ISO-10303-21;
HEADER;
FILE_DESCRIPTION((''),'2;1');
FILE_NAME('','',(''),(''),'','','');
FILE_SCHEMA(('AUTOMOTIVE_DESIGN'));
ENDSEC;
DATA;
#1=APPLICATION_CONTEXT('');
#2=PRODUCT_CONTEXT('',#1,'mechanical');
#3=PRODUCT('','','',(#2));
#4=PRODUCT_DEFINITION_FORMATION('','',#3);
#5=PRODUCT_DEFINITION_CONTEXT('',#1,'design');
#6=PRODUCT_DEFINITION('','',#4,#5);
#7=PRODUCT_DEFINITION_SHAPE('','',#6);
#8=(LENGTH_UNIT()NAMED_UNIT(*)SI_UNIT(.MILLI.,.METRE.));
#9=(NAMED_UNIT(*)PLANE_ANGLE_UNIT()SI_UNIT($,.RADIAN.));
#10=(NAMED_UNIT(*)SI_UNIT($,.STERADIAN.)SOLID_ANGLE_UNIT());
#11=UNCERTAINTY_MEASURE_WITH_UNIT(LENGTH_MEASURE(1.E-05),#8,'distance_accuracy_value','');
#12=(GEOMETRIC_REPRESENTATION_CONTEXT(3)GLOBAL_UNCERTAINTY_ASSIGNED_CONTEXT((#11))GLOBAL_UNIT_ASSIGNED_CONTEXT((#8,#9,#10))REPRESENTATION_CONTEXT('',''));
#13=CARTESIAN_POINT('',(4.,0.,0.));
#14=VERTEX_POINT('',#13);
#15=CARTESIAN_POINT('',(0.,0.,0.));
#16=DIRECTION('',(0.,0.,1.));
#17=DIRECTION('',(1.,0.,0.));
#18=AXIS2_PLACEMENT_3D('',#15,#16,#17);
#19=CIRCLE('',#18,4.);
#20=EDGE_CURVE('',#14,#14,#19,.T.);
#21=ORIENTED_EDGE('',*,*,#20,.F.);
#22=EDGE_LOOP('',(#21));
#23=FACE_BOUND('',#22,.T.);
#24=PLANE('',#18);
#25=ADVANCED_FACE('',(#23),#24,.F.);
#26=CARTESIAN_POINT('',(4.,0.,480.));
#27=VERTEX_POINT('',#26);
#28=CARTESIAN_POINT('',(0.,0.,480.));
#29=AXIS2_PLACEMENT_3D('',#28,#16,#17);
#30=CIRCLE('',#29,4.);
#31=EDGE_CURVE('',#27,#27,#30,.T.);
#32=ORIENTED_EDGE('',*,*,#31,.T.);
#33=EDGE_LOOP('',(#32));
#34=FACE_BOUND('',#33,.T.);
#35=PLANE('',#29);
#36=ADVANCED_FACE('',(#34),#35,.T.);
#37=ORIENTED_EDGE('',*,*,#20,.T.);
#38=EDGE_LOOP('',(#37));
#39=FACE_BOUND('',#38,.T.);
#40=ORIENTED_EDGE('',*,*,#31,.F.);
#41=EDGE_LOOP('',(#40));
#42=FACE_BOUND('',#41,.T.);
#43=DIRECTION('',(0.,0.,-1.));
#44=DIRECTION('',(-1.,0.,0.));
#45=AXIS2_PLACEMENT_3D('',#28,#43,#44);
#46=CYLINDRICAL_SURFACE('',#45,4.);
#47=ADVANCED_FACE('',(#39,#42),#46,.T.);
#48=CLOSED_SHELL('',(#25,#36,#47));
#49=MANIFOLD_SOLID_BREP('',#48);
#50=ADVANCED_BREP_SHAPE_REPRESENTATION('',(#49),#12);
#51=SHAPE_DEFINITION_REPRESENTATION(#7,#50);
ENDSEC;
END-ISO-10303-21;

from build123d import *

# Parameters (mm, degrees)
ESQUISSE1_R        = 4
BOSS_EXTRU_1_DEPTH = 480


with BuildPart() as part:
    # Esquisse1 → Boss.-Extru.1 (new body)
    with BuildSketch(Plane.XY):
        Circle(ESQUISSE1_R)
    extrude(amount=BOSS_EXTRU_1_DEPTH)


solid = part.part
